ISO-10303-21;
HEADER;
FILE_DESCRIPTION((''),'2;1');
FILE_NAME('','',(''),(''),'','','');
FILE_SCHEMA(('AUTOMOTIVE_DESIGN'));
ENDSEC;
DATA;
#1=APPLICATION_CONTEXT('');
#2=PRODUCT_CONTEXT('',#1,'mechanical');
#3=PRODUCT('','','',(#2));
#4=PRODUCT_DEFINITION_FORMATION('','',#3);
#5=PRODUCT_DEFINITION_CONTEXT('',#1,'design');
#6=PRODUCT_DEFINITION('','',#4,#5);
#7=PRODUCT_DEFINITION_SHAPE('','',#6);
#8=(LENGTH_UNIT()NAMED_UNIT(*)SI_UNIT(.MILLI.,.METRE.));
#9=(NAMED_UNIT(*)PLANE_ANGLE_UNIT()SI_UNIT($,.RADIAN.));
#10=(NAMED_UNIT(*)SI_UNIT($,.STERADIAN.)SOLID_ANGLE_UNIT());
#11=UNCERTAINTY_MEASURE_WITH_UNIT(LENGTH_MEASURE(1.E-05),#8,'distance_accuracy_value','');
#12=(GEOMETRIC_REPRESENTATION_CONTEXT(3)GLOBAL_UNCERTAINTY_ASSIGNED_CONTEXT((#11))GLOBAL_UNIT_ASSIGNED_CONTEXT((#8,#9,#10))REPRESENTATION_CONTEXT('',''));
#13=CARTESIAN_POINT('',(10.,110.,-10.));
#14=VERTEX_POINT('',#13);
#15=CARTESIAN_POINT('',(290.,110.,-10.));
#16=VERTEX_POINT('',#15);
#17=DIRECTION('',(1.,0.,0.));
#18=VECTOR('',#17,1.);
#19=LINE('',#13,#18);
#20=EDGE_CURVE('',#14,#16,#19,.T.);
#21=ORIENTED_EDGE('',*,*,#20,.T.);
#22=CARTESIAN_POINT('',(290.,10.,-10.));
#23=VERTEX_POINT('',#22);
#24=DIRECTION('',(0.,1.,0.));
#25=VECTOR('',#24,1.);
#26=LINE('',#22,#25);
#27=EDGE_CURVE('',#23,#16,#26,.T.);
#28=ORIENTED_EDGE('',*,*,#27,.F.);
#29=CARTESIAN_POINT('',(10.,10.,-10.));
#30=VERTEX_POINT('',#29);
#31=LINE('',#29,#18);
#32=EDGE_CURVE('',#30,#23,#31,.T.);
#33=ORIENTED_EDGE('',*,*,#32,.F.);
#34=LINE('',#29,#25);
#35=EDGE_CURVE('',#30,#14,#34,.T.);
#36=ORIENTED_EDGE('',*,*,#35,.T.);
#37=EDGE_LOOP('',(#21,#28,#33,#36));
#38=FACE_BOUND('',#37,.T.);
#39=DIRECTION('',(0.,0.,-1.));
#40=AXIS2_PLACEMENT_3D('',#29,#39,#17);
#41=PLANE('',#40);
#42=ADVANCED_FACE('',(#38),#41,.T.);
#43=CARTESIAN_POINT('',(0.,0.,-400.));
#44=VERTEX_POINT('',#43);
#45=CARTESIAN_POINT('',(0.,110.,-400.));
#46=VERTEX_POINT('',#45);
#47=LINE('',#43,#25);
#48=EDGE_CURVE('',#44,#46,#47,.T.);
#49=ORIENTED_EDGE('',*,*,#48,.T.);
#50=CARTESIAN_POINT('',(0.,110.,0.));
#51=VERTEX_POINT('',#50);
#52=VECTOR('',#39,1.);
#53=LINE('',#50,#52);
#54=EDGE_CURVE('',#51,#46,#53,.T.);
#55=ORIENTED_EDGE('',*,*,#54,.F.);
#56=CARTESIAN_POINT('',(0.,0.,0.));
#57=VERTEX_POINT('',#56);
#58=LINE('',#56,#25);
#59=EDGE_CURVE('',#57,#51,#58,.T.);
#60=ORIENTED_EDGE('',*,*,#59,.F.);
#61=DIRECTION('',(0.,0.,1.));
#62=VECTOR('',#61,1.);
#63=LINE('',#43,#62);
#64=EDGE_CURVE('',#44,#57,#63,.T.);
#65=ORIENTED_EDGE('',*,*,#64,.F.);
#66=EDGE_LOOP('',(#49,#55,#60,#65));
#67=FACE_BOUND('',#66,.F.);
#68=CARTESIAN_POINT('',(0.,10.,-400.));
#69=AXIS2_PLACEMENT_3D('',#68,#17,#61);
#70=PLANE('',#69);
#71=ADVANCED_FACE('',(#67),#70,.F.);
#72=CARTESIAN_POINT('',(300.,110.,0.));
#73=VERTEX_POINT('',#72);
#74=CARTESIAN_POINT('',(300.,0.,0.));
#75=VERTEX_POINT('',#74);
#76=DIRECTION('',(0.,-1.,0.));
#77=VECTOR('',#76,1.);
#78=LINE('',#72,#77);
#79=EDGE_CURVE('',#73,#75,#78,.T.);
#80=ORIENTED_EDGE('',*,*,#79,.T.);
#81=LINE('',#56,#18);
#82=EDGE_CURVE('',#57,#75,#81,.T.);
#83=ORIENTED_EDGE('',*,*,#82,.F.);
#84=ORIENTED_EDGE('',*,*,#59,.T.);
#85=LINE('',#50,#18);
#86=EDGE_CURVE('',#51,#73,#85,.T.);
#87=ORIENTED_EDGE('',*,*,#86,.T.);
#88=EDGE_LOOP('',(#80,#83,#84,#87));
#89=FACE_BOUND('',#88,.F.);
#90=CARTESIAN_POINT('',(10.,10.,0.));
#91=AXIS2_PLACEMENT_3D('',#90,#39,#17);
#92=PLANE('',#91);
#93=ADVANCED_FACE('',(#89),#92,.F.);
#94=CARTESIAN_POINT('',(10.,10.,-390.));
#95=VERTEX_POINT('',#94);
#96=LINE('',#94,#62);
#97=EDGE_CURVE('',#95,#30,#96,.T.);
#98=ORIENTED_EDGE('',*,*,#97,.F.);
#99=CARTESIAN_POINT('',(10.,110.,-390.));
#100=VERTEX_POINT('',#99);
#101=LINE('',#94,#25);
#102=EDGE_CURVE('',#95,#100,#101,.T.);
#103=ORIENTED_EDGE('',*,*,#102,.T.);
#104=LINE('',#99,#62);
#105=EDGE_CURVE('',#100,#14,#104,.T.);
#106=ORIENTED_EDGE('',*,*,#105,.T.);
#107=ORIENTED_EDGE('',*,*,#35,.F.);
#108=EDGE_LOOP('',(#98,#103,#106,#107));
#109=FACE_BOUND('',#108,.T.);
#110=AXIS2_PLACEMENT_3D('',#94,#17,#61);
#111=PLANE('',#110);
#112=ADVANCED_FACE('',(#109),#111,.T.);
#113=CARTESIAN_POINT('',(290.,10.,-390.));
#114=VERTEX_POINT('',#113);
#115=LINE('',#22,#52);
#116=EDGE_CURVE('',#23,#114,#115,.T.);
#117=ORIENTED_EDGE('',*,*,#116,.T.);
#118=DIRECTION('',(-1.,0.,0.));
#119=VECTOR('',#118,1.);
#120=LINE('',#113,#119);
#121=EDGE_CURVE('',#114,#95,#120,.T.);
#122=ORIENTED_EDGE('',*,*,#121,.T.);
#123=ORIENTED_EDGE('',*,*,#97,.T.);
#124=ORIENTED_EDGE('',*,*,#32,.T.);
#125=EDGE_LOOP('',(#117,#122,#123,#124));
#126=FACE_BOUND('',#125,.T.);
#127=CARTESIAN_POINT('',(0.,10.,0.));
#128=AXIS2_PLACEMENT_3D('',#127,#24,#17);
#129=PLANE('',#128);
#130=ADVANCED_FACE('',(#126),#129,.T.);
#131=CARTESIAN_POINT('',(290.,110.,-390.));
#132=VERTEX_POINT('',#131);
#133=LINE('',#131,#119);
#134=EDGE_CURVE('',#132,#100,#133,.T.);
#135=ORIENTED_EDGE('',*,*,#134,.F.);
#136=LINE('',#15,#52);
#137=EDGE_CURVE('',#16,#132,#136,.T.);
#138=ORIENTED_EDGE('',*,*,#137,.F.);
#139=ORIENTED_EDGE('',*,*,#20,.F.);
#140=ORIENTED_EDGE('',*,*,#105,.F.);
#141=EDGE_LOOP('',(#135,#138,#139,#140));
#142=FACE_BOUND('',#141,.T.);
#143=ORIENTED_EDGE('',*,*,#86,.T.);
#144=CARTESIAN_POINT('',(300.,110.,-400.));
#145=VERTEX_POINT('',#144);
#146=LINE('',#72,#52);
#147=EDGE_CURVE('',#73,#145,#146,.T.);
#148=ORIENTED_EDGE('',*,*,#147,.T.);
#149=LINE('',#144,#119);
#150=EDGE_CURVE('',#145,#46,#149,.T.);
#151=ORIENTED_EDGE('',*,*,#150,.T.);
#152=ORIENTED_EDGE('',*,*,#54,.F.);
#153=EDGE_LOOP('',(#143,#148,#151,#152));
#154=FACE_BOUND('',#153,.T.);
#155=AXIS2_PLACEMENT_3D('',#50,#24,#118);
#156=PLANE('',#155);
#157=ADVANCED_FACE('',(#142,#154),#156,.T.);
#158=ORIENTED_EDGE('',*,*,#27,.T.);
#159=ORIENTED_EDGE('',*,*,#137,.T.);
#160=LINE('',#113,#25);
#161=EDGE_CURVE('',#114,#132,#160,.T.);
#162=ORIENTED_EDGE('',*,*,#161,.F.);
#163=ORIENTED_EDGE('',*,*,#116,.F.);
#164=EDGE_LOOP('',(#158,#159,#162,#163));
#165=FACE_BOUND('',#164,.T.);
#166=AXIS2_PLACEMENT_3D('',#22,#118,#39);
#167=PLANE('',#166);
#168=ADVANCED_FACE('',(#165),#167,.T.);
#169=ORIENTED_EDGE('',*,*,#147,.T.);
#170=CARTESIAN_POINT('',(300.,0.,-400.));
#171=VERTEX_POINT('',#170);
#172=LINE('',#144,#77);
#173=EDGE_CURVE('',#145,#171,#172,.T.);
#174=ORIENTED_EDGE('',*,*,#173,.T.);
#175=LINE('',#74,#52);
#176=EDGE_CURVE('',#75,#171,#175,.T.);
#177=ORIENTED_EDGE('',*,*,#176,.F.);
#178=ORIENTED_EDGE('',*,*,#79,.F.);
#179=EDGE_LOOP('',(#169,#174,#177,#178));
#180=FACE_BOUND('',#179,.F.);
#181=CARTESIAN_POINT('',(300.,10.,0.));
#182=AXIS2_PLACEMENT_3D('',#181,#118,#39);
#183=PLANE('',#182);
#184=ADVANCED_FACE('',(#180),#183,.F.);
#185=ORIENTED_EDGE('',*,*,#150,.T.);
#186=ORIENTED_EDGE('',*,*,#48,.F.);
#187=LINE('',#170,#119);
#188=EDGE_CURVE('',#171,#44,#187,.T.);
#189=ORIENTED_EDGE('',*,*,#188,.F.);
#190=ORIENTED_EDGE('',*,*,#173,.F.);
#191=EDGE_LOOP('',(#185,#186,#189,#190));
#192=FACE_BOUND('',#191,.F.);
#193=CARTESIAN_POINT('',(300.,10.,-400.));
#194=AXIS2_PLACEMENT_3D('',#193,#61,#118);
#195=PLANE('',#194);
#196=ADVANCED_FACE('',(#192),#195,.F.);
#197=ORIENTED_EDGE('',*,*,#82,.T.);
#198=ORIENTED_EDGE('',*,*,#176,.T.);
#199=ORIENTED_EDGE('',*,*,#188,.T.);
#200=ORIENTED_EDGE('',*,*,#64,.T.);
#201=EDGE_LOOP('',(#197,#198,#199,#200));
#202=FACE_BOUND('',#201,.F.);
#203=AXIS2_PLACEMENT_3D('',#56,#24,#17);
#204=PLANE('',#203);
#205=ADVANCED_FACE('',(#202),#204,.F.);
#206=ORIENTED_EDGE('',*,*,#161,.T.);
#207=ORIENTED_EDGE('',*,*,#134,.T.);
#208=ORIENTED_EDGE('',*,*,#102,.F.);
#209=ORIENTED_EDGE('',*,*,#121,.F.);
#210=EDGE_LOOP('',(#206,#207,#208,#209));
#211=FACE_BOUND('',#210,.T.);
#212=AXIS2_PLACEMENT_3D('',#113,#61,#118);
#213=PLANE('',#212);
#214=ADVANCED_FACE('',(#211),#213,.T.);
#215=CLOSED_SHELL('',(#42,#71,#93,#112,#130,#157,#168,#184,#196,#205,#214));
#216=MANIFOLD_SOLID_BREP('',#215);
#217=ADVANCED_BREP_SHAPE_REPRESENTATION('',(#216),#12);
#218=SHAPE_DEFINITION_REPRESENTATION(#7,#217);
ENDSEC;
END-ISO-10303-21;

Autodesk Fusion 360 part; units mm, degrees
sketch "Sketch1" plane through (0, 0, 0) normal (0, 1, 0) x (1, 0, 0)
  line L0 (0, 0) -> (300, 0)
  line L1 (300, 0) -> (300, 400)
  line L2 (300, 400) -> (0, 400)
  line L3 (0, 400) -> (0, 0)
  line L4 (0, 0) -> (10, 0)
  line L5 (0, 0) -> (9.8603, 0)
  line L6 (0, 10) -> (0, 0)
  line L7 (9.8603, 10) -> (289.8603, 10)
  line L8 (289.8603, 10) -> (289.8603, 390)
  line L9 (289.8603, 390) -> (9.8603, 390)
  line L10 (9.8603, 390) -> (9.8603, 10)
extrude "Extrude1" add sketch "Sketch1" along normal blind 10 contours L0 L1 L2 L3 L4 L5 L6 | L7 L8 L9 L10
sketch "Sketch2" plane through (0, 10, 0) normal (0, 1, 0) x (-1, 0, 0)
  line L0 (0, -400) -> (0, 0)
  line L1 (0, 0) -> (-300, 0)
  line L2 (-300, 0) -> (-300, -400)
  line L3 (-300, -400) -> (0, -400)
  line L4 (0, 0) -> (-10, 0)
  line L5 (0, -10) -> (0, 0)
  line L6 (-10, -10) -> (-290, -10)
  line L7 (-290, -10) -> (-290, -390)
  line L8 (-290, -390) -> (-10, -390)
  line L9 (-10, -390) -> (-10, -10)
  line L10 (0, 0) -> (-300, 0)
  line L11 (-300, 0) -> (-300, -400)
  line L12 (-300, -400) -> (0, -400)
  line L13 (0, -400) -> (0, 0)
extrude "Extrude2" add sketch "Sketch2" along normal blind 100
